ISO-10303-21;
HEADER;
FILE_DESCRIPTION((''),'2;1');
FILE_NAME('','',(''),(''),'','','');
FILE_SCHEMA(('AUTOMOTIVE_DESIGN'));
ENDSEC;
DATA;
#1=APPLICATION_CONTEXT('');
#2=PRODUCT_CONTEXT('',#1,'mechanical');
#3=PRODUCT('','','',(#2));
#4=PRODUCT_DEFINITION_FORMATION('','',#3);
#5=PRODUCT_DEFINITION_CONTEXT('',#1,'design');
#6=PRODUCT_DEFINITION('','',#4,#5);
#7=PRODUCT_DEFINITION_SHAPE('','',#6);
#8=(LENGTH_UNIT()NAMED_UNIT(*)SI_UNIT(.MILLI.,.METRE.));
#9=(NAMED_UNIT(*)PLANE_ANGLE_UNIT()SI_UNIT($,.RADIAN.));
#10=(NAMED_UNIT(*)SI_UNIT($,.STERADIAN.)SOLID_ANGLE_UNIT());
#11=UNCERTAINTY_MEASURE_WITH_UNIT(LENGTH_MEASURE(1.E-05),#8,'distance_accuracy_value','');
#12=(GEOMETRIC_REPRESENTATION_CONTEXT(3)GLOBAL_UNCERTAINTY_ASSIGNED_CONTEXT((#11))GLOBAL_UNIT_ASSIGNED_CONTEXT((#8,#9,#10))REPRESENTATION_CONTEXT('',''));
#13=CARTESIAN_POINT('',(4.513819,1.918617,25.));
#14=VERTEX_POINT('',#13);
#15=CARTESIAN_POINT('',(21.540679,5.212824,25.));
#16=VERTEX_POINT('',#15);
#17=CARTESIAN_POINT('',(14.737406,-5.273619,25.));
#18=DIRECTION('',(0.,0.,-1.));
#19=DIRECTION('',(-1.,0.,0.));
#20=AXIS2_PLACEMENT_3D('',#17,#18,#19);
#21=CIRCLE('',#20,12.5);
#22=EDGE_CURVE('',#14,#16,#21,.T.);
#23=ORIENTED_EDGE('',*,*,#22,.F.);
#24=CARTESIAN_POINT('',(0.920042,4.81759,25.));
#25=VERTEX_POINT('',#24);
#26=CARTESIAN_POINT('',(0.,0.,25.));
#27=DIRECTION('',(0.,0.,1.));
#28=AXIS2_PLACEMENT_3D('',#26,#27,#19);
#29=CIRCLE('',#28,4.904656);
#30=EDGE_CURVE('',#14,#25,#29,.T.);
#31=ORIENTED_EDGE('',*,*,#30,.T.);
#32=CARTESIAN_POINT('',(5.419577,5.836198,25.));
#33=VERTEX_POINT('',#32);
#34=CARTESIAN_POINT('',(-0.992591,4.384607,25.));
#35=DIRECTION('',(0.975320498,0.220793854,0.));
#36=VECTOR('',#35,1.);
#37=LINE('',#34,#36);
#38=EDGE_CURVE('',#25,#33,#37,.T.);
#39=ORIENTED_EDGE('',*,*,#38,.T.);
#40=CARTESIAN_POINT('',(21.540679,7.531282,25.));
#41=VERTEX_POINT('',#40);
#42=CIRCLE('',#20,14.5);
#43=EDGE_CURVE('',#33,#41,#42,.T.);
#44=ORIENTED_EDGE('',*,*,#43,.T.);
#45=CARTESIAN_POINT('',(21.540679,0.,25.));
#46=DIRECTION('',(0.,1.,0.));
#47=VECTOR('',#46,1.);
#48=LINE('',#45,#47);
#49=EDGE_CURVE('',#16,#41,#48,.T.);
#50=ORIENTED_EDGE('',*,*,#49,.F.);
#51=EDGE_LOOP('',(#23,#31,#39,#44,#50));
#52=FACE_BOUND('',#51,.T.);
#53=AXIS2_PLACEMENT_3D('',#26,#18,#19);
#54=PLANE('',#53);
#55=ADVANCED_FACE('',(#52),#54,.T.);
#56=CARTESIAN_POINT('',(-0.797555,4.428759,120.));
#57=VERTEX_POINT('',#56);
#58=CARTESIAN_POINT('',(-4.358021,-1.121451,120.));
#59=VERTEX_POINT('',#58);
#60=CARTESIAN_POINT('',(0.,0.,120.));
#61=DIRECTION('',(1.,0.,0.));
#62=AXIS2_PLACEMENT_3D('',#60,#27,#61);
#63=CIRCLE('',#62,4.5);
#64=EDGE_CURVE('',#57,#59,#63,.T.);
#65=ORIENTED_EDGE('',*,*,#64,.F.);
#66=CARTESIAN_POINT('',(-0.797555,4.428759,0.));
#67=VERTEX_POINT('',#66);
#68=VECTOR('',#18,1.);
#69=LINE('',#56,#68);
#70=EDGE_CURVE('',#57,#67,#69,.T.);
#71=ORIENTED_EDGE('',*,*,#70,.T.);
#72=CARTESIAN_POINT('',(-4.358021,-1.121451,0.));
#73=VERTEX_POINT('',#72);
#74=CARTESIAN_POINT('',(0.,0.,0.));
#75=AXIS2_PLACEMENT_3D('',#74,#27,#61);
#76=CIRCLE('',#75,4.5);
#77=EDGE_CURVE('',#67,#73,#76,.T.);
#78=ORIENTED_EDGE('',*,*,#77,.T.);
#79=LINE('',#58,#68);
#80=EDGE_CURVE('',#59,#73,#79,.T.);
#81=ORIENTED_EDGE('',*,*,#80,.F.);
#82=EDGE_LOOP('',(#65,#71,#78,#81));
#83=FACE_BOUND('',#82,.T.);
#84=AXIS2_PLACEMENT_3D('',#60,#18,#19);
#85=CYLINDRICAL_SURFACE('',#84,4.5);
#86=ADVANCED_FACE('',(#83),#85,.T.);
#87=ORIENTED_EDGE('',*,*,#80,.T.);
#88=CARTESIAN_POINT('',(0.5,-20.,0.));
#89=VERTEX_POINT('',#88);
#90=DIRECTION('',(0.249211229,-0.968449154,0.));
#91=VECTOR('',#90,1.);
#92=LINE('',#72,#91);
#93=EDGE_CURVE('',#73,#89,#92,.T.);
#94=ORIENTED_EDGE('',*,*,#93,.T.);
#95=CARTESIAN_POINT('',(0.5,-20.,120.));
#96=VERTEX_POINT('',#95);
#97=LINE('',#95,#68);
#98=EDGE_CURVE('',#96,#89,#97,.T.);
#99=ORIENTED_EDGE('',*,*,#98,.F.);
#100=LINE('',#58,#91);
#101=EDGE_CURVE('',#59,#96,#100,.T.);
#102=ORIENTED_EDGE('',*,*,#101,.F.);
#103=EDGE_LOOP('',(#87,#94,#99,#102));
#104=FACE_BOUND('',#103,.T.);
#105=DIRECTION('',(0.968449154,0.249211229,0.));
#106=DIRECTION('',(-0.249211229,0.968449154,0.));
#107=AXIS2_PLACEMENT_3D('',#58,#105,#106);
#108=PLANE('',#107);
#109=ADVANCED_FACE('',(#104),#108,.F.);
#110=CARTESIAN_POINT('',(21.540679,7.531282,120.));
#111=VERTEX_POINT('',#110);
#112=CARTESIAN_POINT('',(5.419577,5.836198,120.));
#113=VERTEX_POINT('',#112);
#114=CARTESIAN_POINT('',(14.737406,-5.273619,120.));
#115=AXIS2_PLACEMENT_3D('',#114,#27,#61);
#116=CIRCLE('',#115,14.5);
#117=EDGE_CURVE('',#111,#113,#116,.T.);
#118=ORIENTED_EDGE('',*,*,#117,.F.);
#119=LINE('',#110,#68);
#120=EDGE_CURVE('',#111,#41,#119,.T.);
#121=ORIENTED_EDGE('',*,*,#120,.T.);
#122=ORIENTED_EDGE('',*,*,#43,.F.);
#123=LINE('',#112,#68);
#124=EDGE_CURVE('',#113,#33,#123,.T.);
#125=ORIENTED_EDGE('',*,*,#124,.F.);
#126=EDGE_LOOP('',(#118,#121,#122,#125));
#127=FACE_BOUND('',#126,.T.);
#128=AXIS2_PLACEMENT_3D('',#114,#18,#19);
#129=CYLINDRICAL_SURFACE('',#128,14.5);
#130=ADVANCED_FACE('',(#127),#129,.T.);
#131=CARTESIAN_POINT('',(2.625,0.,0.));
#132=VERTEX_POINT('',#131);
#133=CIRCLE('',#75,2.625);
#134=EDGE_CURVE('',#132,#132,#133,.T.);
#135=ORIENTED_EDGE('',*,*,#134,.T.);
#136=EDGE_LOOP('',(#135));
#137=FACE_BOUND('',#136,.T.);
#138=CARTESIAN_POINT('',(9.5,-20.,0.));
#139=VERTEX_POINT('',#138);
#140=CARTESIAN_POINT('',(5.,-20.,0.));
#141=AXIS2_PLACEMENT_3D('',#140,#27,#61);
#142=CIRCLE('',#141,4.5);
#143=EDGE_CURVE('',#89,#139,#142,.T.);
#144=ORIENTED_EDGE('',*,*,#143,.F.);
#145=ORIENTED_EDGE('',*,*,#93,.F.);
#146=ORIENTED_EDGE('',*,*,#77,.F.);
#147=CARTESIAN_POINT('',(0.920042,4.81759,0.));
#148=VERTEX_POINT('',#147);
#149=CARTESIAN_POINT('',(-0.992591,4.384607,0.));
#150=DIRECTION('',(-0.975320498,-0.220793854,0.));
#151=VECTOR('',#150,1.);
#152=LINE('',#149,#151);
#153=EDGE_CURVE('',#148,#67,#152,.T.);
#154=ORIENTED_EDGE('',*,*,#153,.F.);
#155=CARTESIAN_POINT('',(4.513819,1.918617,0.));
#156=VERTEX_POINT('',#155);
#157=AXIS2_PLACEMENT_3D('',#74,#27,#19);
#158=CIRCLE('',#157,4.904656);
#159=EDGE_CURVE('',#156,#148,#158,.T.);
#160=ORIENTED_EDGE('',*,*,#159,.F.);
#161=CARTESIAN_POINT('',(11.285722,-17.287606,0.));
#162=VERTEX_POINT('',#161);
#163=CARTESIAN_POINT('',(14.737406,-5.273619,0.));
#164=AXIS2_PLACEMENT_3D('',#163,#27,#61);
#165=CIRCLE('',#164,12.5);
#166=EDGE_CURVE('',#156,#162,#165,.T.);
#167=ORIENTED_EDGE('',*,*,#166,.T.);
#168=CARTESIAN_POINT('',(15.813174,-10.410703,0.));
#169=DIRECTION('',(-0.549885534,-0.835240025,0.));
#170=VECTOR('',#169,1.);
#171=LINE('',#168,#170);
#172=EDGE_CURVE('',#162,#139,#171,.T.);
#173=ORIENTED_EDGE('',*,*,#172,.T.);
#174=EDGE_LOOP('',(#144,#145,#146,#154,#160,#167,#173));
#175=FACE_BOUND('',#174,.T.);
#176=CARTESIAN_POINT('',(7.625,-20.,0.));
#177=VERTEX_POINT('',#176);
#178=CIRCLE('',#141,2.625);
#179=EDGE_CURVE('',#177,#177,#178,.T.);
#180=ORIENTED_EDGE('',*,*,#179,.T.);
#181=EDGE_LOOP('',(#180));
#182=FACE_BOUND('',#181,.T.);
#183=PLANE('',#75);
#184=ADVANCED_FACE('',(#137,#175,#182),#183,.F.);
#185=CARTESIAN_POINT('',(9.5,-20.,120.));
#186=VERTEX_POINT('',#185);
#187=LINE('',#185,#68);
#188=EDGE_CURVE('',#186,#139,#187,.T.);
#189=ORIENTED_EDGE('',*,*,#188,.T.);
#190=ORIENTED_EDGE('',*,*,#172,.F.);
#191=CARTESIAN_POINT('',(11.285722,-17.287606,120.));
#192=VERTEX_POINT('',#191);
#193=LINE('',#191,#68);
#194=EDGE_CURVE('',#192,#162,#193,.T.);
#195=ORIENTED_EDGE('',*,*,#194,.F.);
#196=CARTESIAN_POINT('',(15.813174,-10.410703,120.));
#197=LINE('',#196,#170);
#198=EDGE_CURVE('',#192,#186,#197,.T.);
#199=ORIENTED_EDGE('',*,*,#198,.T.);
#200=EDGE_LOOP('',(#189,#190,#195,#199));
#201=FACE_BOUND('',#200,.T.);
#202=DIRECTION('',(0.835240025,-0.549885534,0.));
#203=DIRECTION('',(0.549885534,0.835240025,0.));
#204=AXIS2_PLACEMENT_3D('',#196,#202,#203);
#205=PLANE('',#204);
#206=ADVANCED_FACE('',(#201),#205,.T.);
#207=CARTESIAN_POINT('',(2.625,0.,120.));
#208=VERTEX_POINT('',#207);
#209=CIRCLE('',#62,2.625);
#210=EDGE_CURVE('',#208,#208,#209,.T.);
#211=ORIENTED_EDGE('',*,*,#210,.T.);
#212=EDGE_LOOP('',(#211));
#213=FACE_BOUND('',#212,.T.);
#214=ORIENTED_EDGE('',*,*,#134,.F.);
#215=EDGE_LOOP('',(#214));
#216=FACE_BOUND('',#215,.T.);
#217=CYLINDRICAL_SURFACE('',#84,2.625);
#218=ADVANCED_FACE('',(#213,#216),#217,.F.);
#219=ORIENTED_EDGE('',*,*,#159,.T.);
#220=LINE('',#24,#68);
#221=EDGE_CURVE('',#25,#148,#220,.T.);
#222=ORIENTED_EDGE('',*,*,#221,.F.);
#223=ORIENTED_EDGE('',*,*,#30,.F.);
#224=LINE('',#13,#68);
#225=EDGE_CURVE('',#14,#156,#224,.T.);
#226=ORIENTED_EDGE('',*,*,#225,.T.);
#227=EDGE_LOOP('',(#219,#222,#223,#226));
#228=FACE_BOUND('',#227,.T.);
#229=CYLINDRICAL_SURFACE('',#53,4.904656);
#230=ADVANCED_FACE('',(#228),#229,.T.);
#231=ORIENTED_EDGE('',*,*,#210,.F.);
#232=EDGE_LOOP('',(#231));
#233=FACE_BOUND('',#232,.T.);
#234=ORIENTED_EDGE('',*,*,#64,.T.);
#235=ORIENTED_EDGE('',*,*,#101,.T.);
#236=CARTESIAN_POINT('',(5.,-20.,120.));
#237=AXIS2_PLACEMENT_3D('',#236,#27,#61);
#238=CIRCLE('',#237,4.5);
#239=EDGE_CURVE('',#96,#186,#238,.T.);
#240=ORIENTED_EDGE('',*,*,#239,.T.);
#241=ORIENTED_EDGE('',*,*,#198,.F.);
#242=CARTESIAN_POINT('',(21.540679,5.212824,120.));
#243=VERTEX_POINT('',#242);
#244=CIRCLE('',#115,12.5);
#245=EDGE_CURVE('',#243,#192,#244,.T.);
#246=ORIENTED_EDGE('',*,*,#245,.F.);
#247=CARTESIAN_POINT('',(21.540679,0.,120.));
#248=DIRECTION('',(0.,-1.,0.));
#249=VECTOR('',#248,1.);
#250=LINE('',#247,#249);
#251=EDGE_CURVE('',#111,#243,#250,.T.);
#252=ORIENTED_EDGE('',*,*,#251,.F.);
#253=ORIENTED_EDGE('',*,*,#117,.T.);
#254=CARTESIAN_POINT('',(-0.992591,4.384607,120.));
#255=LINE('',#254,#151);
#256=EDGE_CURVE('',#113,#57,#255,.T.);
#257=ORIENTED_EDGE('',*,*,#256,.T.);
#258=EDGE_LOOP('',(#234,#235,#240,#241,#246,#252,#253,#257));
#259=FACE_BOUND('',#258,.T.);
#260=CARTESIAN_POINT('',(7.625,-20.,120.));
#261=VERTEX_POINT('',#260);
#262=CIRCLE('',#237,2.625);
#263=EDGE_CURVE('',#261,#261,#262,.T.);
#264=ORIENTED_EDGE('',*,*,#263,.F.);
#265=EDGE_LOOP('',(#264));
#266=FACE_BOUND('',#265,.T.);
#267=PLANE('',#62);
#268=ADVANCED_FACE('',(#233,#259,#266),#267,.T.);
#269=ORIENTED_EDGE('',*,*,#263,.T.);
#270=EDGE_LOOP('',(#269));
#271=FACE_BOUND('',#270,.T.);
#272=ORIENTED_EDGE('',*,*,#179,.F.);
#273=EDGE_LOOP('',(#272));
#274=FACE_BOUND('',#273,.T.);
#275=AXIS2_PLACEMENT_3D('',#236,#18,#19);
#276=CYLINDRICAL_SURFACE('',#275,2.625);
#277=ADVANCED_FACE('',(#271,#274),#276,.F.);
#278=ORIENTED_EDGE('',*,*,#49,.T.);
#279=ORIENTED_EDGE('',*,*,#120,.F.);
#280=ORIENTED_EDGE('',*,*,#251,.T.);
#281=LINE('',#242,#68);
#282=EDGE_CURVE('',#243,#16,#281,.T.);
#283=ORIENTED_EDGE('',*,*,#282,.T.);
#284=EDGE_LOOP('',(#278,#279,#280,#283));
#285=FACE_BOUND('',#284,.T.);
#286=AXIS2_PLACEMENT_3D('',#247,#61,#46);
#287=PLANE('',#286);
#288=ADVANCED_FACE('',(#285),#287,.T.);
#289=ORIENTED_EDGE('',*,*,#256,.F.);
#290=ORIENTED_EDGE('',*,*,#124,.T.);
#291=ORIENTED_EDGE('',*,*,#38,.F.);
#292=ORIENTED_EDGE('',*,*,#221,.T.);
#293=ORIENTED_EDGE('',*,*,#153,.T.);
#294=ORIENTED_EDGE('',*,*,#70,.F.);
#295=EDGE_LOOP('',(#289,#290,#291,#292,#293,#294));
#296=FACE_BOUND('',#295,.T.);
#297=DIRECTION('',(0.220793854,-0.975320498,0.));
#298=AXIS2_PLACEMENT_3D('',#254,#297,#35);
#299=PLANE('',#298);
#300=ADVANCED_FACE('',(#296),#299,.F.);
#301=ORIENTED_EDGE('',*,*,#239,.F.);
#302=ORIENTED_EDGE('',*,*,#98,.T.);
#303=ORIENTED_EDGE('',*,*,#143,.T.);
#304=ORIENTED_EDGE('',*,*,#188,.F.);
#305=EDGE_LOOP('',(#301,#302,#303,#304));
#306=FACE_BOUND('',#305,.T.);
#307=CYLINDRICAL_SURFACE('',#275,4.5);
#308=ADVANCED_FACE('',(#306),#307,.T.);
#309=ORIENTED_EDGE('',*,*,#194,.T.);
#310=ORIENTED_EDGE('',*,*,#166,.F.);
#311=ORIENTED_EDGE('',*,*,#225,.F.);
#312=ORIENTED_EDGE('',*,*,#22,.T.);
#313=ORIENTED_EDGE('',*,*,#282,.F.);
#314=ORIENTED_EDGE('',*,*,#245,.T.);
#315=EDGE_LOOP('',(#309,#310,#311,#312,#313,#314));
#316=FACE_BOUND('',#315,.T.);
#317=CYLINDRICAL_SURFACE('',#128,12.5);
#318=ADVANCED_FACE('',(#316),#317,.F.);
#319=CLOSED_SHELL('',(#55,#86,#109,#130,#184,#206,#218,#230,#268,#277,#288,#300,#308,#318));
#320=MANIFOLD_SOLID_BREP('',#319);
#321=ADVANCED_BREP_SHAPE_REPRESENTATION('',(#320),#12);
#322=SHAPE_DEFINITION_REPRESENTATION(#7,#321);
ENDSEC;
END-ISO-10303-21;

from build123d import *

# Parameters (mm, degrees)
ESQUISSE1_R             = 2.625
BOSS_EXTRU_1_DEPTH      = 120
ENL_V_MAT_EXTRU_1_DEPTH = 25


with BuildPart() as part:
    # Esquisse1 → Boss.-Extru.1 (new body)
    with BuildSketch(Plane.XY):
        with BuildLine():
            ThreePointArc((-0.79755539, 4.428758901), (-3.787637609, 2.429773929), (-4.358021192, -1.12145053))
            Line((-4.358021192, -1.12145053), (0.5, -20))
            ThreePointArc((0.5, -20), (5, -24.5), (9.5, -20))
            Line((9.5, -20), (11.28572177, -17.287605871))
            ThreePointArc((11.28572177, -17.287605871), (10.940890985, -17.183131081), (10.599214607, -17.068761049))
            ThreePointArc((10.599214607, -17.068761049), (2.237966256, -5.391928791), (10.376689651, 6.441078731))
            ThreePointArc((10.376689651, 6.441078731), (16.104400227, 7.151408987), (21.540678755, 5.212823607))
            Line((21.540678755, 5.212823607), (21.540678755, 7.531281515))
            ThreePointArc((21.540678755, 7.531281515), (13.221135766, 9.146884287), (5.419576542, 5.836198326))
            Line((5.419576542, 5.836198326), (-0.79755539, 4.428758901))
        make_face()
        with Locations((5, -20)):
            Circle(ESQUISSE1_R, mode=Mode.SUBTRACT)
        Circle(ESQUISSE1_R, mode=Mode.SUBTRACT)
    extrude(amount=BOSS_EXTRU_1_DEPTH)

    # Esquisse2 → Enlèv. mat.-Extru.1 (cut)
    with BuildSketch(Plane(origin=(0, 0, 0), x_dir=(-1, 0, 0), z_dir=(0, 0, -1))):
        with BuildLine():
            Line((-0.802648586, 4.838533405), (-23.542155856, 15.333417872))
            Line((-23.542155856, 15.333417872), (-23.542155856, 4.140650018))
            Line((-23.542155856, 4.140650018), (-4.513818825, 1.918616657))
            ThreePointArc((-4.513818825, 1.918616657), (-3.032768518, 3.854603141), (-0.802648586, 4.838533405))
        make_face()
    extrude(amount=-ENL_V_MAT_EXTRU_1_DEPTH, mode=Mode.SUBTRACT)


solid = part.part
